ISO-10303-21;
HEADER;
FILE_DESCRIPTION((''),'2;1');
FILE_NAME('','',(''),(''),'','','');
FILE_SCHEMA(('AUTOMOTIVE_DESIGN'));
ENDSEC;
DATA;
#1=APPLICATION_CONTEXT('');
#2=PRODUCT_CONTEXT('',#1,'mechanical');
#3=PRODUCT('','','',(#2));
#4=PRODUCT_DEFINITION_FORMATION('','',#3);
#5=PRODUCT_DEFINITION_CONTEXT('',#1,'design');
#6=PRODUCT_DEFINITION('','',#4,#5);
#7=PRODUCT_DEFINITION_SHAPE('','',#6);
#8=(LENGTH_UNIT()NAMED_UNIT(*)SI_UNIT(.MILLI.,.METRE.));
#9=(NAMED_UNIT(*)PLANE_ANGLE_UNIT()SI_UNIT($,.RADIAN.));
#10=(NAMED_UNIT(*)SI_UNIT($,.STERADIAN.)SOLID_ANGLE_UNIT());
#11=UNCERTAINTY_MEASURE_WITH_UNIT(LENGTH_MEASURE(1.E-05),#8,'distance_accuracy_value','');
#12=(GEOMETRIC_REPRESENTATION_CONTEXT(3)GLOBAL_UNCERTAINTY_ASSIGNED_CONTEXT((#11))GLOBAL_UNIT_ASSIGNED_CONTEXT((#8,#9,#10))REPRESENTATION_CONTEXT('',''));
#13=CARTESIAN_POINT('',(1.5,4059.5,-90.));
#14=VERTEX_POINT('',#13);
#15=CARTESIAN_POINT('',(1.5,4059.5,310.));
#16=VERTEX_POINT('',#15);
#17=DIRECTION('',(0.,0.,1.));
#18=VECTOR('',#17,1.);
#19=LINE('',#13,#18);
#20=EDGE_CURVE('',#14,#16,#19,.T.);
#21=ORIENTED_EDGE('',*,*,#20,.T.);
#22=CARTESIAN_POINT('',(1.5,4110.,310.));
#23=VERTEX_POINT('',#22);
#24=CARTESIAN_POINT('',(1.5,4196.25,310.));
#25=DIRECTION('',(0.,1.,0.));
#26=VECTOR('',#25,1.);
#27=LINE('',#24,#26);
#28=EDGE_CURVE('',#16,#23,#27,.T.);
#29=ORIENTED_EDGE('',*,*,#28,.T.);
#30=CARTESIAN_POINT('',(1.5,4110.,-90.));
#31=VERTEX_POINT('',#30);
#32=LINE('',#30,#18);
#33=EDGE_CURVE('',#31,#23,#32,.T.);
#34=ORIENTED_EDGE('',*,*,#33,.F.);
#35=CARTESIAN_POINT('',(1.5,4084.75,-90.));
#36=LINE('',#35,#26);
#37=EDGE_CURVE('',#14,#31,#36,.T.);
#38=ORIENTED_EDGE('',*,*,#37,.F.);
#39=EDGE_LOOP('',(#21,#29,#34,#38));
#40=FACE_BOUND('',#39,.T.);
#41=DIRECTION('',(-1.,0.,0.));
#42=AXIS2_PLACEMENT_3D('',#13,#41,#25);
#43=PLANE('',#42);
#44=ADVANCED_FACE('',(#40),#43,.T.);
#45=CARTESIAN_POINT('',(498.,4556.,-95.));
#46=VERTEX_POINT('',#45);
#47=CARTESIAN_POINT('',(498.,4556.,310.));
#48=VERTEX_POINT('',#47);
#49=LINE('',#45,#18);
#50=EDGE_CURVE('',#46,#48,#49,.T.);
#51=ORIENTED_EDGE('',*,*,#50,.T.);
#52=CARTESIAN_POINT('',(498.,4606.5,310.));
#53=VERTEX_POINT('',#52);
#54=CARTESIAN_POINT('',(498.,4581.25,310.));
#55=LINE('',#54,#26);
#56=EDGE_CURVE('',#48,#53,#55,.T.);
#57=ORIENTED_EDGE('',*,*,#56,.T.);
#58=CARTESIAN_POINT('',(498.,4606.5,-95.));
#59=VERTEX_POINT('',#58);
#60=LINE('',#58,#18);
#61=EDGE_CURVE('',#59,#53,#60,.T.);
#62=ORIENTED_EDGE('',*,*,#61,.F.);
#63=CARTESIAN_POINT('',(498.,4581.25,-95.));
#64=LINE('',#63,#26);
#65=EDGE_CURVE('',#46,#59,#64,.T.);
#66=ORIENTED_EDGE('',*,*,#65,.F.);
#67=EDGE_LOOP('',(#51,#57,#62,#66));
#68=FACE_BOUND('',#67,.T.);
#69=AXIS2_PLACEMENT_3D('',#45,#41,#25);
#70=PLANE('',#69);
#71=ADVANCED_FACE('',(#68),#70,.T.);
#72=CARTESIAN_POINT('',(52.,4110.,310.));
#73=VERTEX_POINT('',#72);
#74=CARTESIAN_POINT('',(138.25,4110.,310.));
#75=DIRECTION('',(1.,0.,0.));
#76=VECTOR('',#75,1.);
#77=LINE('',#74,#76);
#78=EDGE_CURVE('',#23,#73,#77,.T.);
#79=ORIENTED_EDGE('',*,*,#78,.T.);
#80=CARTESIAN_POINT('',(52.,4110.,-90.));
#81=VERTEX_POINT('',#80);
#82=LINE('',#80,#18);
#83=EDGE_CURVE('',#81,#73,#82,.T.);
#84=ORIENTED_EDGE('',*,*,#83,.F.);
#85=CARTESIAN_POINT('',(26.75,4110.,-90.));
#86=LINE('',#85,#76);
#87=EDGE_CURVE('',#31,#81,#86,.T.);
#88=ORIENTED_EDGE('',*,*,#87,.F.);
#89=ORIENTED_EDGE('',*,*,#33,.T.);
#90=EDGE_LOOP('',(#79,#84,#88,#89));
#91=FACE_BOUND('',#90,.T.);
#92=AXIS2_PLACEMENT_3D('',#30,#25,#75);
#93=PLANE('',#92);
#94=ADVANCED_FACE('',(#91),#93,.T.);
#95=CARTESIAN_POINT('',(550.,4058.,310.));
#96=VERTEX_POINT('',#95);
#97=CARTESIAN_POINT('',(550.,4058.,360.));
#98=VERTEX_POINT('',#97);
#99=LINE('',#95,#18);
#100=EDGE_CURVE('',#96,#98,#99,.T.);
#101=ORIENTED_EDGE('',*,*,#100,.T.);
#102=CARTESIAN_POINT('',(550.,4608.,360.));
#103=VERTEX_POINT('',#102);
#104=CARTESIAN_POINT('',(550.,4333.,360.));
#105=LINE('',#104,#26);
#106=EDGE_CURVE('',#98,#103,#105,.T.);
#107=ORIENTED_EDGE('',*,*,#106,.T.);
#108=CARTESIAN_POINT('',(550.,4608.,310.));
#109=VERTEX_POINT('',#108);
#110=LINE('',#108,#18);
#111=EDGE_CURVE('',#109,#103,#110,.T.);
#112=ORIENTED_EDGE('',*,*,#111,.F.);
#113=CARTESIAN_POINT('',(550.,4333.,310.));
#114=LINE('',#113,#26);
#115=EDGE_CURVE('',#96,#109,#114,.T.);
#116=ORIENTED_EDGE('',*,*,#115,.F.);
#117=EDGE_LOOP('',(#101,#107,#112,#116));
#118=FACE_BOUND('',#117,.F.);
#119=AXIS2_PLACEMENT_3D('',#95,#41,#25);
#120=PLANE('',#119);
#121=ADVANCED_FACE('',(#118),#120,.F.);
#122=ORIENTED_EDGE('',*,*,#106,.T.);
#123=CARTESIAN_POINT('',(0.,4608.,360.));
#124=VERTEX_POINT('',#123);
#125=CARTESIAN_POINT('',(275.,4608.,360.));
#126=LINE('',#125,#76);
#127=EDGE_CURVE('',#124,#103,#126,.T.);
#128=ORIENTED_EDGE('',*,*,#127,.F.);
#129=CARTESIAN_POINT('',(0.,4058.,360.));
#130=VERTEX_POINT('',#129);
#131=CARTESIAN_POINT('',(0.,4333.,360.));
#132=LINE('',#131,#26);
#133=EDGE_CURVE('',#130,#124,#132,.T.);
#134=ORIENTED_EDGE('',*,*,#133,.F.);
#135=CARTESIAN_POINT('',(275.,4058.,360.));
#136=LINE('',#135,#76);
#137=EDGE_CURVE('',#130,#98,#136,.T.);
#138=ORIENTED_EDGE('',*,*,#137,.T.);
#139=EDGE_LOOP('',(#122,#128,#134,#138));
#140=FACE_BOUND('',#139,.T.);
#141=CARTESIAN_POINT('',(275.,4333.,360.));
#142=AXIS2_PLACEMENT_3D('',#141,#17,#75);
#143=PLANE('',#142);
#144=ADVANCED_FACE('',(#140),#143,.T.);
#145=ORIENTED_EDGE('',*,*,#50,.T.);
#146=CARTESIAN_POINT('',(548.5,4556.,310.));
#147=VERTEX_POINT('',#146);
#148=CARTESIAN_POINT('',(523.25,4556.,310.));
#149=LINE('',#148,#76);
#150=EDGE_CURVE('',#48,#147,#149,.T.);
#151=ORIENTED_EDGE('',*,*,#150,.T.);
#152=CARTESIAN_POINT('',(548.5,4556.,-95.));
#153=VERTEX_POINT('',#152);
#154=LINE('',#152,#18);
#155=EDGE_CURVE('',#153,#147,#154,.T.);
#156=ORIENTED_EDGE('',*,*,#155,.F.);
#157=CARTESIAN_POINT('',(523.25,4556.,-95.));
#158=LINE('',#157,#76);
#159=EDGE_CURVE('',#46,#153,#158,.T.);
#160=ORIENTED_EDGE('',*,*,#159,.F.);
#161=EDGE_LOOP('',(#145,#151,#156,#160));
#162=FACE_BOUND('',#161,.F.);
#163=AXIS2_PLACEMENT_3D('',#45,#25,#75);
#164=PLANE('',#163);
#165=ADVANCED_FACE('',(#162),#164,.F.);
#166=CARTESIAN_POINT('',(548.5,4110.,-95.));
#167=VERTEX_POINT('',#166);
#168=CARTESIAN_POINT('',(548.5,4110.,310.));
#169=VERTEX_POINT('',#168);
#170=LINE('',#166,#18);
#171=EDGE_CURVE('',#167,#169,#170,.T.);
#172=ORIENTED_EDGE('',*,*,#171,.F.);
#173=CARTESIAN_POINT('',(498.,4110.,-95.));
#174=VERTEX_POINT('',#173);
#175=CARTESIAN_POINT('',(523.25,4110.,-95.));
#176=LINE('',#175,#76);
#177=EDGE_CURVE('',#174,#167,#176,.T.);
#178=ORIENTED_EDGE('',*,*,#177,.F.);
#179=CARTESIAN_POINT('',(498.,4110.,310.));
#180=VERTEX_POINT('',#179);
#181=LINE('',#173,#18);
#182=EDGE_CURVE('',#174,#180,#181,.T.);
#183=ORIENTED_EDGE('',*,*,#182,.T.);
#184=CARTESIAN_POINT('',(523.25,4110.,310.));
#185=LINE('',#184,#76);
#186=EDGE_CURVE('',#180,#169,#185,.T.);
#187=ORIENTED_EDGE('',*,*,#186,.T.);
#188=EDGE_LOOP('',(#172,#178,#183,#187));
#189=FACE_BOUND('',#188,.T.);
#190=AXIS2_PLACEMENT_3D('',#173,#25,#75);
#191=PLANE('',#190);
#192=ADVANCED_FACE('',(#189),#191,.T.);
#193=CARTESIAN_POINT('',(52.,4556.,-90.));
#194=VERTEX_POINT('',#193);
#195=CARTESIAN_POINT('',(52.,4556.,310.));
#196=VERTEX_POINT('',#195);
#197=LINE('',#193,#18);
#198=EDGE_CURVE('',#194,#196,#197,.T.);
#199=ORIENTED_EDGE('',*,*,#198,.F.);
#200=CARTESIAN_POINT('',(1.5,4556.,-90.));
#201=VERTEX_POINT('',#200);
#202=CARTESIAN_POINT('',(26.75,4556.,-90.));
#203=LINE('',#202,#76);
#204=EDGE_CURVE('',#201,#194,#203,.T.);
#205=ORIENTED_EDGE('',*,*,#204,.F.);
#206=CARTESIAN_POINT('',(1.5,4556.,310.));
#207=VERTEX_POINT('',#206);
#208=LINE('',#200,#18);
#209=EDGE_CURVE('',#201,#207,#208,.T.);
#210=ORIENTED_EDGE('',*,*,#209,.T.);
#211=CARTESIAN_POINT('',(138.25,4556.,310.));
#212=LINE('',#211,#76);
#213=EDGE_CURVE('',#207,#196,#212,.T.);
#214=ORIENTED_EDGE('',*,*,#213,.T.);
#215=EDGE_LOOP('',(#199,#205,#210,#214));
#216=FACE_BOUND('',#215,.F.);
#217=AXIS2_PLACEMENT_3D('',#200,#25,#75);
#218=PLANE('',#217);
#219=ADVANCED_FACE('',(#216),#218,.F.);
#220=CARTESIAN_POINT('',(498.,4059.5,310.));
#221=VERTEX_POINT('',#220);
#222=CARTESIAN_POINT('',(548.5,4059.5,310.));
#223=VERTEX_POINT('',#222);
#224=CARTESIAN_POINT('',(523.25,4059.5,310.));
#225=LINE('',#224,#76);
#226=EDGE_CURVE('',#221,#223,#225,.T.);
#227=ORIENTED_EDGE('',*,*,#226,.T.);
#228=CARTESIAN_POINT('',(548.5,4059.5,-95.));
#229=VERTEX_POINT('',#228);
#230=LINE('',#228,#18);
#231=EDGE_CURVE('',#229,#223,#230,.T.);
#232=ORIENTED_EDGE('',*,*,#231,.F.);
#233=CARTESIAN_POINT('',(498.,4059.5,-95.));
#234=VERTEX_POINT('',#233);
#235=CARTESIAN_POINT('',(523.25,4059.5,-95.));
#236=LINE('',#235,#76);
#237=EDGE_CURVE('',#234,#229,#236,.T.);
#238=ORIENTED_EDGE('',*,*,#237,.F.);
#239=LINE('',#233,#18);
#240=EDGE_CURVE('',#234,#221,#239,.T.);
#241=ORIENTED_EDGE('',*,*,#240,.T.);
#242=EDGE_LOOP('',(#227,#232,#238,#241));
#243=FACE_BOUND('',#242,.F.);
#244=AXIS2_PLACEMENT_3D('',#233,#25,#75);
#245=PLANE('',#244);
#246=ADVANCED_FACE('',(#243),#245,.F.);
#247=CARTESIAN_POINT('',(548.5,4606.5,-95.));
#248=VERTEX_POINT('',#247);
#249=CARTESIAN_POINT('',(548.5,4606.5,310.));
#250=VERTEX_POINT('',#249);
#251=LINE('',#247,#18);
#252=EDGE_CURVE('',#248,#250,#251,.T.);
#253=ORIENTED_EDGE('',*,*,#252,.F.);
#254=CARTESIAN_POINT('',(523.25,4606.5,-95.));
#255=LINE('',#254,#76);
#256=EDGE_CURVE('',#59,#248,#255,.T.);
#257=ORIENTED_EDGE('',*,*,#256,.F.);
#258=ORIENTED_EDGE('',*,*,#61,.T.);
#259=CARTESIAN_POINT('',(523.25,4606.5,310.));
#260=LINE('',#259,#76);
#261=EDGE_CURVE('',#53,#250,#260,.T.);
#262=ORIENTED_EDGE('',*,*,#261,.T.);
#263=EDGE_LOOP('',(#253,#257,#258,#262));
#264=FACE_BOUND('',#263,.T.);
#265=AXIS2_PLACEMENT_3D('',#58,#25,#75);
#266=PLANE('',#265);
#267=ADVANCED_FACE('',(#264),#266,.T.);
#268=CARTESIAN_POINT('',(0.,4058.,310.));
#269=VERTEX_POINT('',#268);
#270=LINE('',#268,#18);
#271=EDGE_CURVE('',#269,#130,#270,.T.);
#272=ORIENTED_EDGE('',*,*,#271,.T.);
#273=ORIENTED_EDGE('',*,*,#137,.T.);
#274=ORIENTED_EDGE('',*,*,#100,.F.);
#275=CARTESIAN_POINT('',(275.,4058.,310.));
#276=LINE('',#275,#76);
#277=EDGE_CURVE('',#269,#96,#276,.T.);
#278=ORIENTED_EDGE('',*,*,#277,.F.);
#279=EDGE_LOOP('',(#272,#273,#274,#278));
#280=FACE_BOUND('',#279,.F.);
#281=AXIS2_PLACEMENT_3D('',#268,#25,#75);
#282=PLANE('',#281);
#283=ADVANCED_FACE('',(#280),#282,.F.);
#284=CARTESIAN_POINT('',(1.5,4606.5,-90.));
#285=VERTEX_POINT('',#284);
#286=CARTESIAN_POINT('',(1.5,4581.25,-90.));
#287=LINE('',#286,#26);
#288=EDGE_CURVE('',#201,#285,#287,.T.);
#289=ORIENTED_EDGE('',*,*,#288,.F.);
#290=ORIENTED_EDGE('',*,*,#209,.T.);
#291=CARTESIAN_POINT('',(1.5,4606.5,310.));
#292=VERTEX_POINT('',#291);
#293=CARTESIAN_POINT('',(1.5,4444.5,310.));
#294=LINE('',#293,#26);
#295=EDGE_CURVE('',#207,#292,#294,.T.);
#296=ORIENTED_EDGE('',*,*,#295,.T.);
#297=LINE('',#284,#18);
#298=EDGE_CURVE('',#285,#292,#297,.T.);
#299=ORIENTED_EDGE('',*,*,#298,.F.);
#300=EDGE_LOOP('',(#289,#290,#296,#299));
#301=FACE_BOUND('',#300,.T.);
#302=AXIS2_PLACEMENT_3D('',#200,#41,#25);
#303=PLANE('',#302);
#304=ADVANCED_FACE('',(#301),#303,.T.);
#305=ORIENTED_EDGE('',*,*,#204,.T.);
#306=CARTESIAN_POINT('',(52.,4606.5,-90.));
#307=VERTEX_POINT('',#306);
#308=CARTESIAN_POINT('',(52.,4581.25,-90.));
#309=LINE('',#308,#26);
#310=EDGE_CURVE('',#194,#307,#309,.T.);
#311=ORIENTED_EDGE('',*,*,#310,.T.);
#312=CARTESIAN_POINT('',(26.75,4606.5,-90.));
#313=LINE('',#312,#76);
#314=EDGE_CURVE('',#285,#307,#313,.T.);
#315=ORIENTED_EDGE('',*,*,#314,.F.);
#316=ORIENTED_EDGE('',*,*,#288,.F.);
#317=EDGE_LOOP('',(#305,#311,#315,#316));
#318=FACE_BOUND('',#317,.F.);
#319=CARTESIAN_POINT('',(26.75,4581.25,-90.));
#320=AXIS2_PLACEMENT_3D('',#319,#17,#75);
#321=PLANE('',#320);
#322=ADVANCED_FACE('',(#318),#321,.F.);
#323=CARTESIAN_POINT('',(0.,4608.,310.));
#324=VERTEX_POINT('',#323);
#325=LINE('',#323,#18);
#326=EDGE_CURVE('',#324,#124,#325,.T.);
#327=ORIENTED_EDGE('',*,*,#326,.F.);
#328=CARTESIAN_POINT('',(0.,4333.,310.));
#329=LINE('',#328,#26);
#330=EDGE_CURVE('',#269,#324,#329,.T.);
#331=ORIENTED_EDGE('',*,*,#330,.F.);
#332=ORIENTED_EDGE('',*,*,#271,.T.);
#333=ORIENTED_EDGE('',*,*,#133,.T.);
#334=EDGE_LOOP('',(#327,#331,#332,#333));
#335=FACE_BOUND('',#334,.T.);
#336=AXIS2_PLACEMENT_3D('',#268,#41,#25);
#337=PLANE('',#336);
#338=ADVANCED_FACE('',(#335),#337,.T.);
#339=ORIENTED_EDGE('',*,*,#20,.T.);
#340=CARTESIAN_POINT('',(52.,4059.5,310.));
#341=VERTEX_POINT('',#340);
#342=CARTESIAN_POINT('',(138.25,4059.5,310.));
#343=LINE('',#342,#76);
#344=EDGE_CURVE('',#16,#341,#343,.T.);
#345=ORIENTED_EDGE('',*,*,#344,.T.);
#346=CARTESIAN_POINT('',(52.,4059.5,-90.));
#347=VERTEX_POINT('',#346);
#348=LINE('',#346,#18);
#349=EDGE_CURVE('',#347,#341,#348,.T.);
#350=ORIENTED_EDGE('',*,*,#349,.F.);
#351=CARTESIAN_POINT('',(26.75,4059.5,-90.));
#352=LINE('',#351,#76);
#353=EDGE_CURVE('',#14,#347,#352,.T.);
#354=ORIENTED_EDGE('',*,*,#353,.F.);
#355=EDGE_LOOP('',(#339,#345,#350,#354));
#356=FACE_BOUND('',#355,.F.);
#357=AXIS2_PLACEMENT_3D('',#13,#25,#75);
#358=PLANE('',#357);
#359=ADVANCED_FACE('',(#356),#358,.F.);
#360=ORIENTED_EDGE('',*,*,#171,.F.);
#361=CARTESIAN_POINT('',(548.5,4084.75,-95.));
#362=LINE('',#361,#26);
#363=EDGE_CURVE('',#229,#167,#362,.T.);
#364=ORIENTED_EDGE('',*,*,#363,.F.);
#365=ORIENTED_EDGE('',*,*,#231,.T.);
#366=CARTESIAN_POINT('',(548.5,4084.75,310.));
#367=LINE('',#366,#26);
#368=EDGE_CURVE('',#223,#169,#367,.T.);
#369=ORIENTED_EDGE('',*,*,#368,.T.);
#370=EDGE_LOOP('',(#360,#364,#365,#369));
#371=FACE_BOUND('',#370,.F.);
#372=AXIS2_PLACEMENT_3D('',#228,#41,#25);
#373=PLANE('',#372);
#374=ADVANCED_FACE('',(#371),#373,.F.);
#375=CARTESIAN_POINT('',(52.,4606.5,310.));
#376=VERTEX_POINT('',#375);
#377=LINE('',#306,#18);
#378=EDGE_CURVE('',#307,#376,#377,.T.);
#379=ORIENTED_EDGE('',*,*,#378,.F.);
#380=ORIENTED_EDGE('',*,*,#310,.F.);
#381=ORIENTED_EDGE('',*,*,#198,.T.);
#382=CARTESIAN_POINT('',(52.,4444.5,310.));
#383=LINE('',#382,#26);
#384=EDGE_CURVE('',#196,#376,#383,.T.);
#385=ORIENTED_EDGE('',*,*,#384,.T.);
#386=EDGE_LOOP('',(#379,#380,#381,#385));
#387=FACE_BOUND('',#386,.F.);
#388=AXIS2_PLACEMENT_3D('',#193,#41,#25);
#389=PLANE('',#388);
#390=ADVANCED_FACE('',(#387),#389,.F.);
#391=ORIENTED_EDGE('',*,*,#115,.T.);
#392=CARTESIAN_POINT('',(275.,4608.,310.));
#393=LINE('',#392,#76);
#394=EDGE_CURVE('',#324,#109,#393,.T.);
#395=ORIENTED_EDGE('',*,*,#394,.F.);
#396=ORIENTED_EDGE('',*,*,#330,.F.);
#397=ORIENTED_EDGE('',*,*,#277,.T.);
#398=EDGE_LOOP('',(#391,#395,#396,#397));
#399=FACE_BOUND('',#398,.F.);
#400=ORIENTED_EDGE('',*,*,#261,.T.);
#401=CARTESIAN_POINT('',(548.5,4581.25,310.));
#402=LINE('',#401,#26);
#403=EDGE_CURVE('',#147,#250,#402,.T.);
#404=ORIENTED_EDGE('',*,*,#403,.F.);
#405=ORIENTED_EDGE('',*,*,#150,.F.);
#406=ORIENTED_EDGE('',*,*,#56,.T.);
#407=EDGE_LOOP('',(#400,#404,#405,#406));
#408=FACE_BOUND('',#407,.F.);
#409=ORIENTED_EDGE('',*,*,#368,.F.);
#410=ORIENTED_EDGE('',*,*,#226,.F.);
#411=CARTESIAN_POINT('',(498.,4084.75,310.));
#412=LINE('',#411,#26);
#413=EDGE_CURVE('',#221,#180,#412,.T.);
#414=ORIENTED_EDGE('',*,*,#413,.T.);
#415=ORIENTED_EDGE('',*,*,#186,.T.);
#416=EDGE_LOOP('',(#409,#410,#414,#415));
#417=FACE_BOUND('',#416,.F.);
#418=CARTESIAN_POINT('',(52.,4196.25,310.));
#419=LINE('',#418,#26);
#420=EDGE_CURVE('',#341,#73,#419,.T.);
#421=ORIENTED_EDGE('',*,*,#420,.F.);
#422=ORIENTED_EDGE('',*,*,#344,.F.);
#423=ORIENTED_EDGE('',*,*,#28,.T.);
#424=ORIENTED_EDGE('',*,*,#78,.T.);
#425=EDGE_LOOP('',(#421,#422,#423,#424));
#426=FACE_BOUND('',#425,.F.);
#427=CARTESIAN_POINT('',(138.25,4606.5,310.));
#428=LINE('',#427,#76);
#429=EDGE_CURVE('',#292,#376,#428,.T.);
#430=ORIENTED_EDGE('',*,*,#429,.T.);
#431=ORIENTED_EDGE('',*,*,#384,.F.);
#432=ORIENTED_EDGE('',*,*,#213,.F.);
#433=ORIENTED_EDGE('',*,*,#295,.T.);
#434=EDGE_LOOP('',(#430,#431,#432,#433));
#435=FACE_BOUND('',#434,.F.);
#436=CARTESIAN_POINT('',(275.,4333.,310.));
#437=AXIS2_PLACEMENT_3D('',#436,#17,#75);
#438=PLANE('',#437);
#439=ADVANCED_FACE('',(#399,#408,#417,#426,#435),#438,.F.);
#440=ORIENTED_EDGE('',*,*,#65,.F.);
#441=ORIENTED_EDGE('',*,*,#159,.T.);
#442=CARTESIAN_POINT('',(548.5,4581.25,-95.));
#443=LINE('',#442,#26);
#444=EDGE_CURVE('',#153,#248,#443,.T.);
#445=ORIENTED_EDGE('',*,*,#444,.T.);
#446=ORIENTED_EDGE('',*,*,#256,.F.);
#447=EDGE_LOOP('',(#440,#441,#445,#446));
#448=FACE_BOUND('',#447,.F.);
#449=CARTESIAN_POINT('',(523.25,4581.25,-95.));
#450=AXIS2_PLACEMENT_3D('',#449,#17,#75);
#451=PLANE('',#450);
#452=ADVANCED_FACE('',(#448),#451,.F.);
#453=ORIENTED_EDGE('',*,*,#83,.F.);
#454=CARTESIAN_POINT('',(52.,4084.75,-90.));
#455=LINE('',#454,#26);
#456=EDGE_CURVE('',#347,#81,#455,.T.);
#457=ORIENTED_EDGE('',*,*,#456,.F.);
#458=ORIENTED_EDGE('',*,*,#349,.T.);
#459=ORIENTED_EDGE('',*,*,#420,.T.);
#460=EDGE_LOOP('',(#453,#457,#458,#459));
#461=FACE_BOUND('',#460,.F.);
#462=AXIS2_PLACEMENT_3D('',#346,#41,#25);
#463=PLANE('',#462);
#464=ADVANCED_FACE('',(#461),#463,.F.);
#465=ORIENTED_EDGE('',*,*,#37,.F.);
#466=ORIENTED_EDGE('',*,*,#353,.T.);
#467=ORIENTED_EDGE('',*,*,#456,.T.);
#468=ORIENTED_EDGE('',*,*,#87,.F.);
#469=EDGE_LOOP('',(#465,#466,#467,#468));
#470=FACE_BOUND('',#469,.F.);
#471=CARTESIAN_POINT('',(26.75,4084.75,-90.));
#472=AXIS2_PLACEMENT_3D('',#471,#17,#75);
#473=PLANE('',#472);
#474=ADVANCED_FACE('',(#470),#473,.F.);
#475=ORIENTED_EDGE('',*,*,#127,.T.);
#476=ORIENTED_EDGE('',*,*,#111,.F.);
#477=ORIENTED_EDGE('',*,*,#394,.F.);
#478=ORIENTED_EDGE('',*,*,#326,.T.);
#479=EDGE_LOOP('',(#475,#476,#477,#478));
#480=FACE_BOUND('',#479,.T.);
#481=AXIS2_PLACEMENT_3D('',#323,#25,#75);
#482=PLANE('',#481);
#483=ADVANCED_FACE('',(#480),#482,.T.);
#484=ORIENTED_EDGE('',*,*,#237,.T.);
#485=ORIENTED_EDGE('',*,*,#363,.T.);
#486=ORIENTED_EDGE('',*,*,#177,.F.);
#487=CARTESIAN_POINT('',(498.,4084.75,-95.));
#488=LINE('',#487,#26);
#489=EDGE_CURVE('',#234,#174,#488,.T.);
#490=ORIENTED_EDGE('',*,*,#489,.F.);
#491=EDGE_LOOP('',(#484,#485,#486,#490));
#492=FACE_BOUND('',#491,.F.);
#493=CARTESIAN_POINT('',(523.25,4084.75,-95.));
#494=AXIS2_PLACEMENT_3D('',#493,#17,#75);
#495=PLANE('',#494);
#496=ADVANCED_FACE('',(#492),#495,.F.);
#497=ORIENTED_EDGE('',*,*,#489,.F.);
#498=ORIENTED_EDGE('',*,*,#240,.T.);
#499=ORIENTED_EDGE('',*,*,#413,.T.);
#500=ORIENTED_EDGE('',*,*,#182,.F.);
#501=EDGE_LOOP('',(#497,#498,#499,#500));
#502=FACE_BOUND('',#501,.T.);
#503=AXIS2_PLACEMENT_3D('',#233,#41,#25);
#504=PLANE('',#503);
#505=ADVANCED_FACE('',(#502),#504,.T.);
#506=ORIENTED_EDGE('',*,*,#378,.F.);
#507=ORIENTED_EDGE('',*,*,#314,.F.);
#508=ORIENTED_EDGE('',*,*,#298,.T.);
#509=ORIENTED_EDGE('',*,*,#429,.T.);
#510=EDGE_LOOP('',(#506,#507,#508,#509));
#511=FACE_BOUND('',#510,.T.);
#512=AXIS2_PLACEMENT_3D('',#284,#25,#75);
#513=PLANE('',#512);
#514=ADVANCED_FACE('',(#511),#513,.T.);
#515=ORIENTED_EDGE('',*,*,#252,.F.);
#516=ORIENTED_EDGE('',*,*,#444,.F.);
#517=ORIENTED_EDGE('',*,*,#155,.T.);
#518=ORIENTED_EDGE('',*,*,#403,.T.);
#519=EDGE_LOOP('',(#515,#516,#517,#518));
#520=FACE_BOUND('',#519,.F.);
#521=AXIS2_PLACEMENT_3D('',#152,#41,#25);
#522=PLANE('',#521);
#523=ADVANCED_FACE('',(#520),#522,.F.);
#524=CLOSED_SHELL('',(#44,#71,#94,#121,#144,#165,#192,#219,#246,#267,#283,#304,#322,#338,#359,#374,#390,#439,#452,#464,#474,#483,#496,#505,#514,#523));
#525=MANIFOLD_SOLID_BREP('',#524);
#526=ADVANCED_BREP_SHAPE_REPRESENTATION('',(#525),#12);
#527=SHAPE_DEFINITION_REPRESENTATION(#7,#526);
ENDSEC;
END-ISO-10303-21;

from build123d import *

# Parameters (mm, degrees)
BOX011_W     = 50.5
BOX011_H     = 50.5
BOX011_DEPTH = 405
BOX012_W     = 50.5
BOX012_H     = 50.5
BOX012_DEPTH = 405
BOX013_W     = 50.5
BOX013_H     = 50.5
BOX013_DEPTH = 405
BOX009_W     = 550
BOX009_H     = 550
BOX009_DEPTH = 50
BOX010_W     = 50.5
BOX010_H     = 50.5
BOX010_DEPTH = 405


with BuildPart() as box002:
    # Box011 → Box011 (new body)
    with BuildSketch(Plane(origin=(1.5, 498, 0), x_dir=(1, 0, 0), z_dir=(0, 0, 1))):
        with Locations((25.25, 25.25)):
            Rectangle(BOX011_W, BOX011_H)
    extrude(amount=BOX011_DEPTH)


with BuildPart() as box003:
    # Box012 → Box012 (new body)
    with BuildSketch(Plane(origin=(498, 1.5, -5), x_dir=(1, 0, 0), z_dir=(0, 0, 1))):
        with Locations((25.25, 25.25)):
            Rectangle(BOX012_W, BOX012_H)
    extrude(amount=BOX012_DEPTH)


with BuildPart() as box004:
    # Box013 → Box013 (new body)
    with BuildSketch(Plane(origin=(498, 498, -5), x_dir=(1, 0, 0), z_dir=(0, 0, 1))):
        with Locations((25.25, 25.25)):
            Rectangle(BOX013_W, BOX013_H)
    extrude(amount=BOX013_DEPTH)


with BuildPart() as box:
    # Box009 → Box009 (new body)
    with BuildSketch(Plane.XY.offset(400)):
        with Locations((275, 275)):
            Rectangle(BOX009_W, BOX009_H)
    extrude(amount=BOX009_DEPTH)


with BuildPart() as fusion:
    # Box010 → Box010 (new body)
    with BuildSketch(Plane(origin=(1.5, 1.5, 0), x_dir=(1, 0, 0), z_dir=(0, 0, 1))):
        with Locations((25.25, 25.25)):
            Rectangle(BOX010_W, BOX010_H)
    extrude(amount=BOX010_DEPTH)

    # Fusion: union Box002, Box003, Box004, Box
    add(box002.part)
    add(box003.part)
    add(box004.part)
    add(box.part)


with BuildPart() as fusion_1:
    # Fusion placement: moved
    add(fusion.part.moved(Location((0, 4058, -90))))


solid = fusion_1.part
